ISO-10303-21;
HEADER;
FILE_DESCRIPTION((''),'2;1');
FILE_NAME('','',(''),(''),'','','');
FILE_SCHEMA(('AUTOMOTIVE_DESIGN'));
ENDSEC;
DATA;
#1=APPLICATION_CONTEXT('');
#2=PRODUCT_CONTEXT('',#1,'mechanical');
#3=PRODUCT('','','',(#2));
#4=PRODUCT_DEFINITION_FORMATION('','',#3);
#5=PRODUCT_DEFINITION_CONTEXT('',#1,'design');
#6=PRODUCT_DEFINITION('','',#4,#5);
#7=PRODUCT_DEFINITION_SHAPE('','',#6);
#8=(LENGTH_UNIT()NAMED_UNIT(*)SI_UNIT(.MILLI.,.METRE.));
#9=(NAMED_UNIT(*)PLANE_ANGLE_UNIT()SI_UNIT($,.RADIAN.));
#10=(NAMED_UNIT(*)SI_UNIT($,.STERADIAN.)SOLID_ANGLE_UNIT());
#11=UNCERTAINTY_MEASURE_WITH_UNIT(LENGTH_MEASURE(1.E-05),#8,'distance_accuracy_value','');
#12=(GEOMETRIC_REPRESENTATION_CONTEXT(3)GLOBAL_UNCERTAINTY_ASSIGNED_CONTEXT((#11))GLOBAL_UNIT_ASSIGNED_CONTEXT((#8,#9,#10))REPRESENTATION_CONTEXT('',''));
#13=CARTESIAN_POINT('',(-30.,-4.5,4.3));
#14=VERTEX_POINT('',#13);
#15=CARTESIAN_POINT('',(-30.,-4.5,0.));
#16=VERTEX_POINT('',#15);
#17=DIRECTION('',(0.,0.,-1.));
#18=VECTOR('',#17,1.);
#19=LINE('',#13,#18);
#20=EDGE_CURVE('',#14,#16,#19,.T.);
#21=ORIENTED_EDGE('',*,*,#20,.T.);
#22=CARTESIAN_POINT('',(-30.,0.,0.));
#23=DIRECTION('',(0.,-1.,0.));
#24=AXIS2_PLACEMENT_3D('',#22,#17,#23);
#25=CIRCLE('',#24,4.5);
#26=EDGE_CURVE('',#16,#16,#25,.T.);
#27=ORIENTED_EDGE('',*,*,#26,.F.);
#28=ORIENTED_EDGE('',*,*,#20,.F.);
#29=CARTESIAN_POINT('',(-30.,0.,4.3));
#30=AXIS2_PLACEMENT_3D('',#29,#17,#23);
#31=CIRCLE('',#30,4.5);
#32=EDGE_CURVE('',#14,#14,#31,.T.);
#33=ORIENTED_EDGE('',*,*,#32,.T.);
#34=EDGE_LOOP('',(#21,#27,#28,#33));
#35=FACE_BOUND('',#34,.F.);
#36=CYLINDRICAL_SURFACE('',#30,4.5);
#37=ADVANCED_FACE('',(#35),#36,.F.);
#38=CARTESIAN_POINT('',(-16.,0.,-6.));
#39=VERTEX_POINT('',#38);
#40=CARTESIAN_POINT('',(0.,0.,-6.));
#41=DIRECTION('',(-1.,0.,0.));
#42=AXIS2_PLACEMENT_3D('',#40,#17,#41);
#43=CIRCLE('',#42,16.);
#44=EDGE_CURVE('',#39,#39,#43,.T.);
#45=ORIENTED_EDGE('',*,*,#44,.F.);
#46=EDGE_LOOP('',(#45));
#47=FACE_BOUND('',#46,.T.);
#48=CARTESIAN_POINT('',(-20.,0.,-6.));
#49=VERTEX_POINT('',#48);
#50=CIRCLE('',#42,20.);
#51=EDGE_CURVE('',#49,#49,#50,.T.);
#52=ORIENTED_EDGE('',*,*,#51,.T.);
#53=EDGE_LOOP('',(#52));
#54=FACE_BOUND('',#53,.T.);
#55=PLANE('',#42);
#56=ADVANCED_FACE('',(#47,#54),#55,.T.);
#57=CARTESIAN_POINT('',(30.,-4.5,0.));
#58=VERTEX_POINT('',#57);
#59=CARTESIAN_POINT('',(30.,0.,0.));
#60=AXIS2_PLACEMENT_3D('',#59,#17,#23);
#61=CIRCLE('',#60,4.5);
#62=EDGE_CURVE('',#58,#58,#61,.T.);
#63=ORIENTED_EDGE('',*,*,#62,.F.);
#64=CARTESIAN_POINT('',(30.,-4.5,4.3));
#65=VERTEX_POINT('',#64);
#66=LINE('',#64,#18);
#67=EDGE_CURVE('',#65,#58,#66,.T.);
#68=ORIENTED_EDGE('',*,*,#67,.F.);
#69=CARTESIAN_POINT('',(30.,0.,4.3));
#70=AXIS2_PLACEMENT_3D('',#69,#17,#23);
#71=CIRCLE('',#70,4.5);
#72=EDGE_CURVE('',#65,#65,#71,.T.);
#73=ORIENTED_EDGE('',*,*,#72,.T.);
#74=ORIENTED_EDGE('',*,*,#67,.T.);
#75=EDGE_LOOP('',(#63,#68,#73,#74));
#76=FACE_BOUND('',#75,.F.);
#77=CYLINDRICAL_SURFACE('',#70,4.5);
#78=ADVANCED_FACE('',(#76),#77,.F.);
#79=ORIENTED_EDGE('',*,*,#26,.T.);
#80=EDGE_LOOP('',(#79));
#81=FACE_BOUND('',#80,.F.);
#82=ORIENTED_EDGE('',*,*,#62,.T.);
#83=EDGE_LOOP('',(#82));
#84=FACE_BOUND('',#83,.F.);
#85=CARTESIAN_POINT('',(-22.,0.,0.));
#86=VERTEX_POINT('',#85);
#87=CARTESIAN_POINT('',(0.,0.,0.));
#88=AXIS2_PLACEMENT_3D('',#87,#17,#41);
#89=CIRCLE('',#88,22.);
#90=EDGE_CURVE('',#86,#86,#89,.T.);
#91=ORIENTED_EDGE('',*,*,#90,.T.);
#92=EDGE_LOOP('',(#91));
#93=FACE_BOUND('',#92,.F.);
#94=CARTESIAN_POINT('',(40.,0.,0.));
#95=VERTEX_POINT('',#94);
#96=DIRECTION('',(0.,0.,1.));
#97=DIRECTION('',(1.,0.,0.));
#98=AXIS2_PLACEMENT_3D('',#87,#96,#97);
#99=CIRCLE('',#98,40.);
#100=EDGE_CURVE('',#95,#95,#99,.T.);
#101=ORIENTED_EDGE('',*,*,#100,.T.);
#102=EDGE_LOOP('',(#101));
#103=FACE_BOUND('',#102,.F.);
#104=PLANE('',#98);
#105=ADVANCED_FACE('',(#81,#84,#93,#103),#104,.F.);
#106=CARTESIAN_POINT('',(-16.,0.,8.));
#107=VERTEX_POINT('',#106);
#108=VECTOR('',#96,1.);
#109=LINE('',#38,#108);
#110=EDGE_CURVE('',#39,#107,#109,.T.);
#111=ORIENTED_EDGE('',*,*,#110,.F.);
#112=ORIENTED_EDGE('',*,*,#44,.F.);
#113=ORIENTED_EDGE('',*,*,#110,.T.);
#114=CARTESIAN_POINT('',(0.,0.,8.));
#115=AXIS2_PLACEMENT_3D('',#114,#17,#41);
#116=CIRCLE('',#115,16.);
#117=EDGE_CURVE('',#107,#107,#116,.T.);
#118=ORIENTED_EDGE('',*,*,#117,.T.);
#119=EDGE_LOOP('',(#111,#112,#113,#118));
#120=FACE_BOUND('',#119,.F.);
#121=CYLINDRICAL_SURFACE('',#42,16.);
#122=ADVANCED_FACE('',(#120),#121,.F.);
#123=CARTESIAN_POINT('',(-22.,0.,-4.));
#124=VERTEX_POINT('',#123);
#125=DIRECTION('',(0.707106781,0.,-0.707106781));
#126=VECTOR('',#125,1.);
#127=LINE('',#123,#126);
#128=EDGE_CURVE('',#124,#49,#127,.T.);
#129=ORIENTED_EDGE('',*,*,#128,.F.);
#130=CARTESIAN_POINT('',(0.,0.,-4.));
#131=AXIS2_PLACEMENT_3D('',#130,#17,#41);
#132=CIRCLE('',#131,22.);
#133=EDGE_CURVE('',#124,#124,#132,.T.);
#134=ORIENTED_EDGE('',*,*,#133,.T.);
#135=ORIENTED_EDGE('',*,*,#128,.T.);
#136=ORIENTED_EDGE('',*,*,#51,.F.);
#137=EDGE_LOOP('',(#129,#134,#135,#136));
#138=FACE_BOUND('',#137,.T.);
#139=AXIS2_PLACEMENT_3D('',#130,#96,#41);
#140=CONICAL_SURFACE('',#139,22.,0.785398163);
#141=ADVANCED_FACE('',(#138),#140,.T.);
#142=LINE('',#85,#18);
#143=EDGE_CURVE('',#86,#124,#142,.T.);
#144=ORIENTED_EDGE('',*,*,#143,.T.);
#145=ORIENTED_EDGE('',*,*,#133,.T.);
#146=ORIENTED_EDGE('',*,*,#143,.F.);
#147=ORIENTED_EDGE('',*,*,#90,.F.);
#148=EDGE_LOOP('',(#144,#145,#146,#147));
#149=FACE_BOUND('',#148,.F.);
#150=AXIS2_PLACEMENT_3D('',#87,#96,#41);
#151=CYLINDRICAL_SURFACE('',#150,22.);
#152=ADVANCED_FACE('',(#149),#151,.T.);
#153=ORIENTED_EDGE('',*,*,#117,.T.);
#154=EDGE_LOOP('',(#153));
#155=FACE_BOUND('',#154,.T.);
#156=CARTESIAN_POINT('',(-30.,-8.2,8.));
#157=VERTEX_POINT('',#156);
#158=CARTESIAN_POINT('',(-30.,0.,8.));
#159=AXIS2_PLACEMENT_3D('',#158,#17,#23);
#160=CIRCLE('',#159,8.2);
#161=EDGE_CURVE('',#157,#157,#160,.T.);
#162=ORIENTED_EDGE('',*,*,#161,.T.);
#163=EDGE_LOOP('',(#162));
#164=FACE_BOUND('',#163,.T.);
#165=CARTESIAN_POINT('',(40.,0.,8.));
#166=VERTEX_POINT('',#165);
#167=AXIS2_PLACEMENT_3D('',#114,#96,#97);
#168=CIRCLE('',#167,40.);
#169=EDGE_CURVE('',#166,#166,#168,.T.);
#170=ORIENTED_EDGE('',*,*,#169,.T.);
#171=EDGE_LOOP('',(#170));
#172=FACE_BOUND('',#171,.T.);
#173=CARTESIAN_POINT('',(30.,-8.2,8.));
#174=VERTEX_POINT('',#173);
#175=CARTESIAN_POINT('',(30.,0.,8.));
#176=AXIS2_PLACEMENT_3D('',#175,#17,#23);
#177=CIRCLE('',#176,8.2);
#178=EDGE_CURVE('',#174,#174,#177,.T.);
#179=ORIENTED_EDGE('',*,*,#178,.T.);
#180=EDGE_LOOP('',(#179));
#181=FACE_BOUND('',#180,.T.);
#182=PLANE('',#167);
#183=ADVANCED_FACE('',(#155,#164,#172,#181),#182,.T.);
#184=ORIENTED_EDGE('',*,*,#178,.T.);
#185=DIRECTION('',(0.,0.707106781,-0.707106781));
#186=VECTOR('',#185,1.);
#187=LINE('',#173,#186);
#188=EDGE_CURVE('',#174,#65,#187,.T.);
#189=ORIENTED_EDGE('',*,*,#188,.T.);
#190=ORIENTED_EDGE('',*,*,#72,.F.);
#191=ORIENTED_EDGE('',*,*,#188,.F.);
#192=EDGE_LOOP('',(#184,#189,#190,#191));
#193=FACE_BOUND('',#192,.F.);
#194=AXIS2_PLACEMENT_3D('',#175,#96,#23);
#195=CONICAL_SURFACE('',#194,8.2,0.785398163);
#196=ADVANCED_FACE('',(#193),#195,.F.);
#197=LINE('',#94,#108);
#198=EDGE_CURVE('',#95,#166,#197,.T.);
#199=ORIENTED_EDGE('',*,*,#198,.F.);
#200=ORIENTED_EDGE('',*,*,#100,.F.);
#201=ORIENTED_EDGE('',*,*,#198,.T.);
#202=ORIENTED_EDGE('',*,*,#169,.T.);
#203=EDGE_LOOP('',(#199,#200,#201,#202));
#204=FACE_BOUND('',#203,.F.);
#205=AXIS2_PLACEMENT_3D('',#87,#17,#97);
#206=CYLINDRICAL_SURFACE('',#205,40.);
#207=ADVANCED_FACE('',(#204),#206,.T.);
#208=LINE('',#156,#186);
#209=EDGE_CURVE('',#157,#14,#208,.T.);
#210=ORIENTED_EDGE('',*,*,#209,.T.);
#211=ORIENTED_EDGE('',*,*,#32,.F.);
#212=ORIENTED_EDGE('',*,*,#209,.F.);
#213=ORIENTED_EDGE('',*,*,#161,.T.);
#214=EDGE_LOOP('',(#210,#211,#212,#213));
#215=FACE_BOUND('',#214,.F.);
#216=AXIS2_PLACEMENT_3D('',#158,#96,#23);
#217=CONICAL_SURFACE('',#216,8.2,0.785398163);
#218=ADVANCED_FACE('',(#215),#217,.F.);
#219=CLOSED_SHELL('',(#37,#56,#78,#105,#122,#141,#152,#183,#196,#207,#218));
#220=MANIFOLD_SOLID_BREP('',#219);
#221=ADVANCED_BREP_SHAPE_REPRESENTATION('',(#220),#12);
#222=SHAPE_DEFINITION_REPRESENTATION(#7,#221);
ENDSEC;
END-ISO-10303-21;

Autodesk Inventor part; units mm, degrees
ref_plane "YZ Plane" through (0, 0, 0) normal (1, 0, 0) x (0, 1, 0)
ref_plane "XZ Plane" through (0, 0, 0) normal (0, 1, 0) x (-1, 0, 0)
ref_plane "XY Plane" through (0, 0, 0) normal (0, 0, 1) x (1, 0, 0)
sketch "Эскиз1" plane through (0, 0, 0) normal (0, 0, 1) x (1, 0, 0)
  circle A0 centre (0, 0) radius 40
  dimension "d0" = 80
extrude "Выдавливание1" add sketch "Эскиз1" along normal blind 8
sketch "Эскиз2" plane through (0, 0, 0) normal (0, 0, -1) x (-1, 0, 0)
  circle A0 centre (0, 0) radius 22
  dimension "d3" = 44
extrude "Выдавливание2" add sketch "Эскиз2" along normal blind 6
sketch "Эскиз3" plane through (0, 0, -6) normal (0, 0, -1) x (-1, 0, 0)
  circle A0 centre (0, 0) radius 16
  dimension "d6" = 32
extrude "Выдавливание3" cut sketch "Эскиз3" against normal through all
chamfer "Фаска1" distance 2 angle 45 1 edges at (22, 0, -6)
sketch "Эскиз4" plane through (0, 0, 8) normal (0, 0, 1) x (1, 0, 0)
  point P0 (0, 0)
  point P1 (-30, 0)
  point P2 (30, 0)
  dimension "d12" = 30
  dimension "d13" = 60
hole "Отверстие1" at (-30, 0, 8) at (30, 0, 8) direction (0, 0, -1) diameter 9 end through all countersink diameter 16.4 countersink angle 90 clearance for "Винт крепежный с плоской головкой" size "M8" standard "ANSI метрическая"
properties part number "Крышка"
